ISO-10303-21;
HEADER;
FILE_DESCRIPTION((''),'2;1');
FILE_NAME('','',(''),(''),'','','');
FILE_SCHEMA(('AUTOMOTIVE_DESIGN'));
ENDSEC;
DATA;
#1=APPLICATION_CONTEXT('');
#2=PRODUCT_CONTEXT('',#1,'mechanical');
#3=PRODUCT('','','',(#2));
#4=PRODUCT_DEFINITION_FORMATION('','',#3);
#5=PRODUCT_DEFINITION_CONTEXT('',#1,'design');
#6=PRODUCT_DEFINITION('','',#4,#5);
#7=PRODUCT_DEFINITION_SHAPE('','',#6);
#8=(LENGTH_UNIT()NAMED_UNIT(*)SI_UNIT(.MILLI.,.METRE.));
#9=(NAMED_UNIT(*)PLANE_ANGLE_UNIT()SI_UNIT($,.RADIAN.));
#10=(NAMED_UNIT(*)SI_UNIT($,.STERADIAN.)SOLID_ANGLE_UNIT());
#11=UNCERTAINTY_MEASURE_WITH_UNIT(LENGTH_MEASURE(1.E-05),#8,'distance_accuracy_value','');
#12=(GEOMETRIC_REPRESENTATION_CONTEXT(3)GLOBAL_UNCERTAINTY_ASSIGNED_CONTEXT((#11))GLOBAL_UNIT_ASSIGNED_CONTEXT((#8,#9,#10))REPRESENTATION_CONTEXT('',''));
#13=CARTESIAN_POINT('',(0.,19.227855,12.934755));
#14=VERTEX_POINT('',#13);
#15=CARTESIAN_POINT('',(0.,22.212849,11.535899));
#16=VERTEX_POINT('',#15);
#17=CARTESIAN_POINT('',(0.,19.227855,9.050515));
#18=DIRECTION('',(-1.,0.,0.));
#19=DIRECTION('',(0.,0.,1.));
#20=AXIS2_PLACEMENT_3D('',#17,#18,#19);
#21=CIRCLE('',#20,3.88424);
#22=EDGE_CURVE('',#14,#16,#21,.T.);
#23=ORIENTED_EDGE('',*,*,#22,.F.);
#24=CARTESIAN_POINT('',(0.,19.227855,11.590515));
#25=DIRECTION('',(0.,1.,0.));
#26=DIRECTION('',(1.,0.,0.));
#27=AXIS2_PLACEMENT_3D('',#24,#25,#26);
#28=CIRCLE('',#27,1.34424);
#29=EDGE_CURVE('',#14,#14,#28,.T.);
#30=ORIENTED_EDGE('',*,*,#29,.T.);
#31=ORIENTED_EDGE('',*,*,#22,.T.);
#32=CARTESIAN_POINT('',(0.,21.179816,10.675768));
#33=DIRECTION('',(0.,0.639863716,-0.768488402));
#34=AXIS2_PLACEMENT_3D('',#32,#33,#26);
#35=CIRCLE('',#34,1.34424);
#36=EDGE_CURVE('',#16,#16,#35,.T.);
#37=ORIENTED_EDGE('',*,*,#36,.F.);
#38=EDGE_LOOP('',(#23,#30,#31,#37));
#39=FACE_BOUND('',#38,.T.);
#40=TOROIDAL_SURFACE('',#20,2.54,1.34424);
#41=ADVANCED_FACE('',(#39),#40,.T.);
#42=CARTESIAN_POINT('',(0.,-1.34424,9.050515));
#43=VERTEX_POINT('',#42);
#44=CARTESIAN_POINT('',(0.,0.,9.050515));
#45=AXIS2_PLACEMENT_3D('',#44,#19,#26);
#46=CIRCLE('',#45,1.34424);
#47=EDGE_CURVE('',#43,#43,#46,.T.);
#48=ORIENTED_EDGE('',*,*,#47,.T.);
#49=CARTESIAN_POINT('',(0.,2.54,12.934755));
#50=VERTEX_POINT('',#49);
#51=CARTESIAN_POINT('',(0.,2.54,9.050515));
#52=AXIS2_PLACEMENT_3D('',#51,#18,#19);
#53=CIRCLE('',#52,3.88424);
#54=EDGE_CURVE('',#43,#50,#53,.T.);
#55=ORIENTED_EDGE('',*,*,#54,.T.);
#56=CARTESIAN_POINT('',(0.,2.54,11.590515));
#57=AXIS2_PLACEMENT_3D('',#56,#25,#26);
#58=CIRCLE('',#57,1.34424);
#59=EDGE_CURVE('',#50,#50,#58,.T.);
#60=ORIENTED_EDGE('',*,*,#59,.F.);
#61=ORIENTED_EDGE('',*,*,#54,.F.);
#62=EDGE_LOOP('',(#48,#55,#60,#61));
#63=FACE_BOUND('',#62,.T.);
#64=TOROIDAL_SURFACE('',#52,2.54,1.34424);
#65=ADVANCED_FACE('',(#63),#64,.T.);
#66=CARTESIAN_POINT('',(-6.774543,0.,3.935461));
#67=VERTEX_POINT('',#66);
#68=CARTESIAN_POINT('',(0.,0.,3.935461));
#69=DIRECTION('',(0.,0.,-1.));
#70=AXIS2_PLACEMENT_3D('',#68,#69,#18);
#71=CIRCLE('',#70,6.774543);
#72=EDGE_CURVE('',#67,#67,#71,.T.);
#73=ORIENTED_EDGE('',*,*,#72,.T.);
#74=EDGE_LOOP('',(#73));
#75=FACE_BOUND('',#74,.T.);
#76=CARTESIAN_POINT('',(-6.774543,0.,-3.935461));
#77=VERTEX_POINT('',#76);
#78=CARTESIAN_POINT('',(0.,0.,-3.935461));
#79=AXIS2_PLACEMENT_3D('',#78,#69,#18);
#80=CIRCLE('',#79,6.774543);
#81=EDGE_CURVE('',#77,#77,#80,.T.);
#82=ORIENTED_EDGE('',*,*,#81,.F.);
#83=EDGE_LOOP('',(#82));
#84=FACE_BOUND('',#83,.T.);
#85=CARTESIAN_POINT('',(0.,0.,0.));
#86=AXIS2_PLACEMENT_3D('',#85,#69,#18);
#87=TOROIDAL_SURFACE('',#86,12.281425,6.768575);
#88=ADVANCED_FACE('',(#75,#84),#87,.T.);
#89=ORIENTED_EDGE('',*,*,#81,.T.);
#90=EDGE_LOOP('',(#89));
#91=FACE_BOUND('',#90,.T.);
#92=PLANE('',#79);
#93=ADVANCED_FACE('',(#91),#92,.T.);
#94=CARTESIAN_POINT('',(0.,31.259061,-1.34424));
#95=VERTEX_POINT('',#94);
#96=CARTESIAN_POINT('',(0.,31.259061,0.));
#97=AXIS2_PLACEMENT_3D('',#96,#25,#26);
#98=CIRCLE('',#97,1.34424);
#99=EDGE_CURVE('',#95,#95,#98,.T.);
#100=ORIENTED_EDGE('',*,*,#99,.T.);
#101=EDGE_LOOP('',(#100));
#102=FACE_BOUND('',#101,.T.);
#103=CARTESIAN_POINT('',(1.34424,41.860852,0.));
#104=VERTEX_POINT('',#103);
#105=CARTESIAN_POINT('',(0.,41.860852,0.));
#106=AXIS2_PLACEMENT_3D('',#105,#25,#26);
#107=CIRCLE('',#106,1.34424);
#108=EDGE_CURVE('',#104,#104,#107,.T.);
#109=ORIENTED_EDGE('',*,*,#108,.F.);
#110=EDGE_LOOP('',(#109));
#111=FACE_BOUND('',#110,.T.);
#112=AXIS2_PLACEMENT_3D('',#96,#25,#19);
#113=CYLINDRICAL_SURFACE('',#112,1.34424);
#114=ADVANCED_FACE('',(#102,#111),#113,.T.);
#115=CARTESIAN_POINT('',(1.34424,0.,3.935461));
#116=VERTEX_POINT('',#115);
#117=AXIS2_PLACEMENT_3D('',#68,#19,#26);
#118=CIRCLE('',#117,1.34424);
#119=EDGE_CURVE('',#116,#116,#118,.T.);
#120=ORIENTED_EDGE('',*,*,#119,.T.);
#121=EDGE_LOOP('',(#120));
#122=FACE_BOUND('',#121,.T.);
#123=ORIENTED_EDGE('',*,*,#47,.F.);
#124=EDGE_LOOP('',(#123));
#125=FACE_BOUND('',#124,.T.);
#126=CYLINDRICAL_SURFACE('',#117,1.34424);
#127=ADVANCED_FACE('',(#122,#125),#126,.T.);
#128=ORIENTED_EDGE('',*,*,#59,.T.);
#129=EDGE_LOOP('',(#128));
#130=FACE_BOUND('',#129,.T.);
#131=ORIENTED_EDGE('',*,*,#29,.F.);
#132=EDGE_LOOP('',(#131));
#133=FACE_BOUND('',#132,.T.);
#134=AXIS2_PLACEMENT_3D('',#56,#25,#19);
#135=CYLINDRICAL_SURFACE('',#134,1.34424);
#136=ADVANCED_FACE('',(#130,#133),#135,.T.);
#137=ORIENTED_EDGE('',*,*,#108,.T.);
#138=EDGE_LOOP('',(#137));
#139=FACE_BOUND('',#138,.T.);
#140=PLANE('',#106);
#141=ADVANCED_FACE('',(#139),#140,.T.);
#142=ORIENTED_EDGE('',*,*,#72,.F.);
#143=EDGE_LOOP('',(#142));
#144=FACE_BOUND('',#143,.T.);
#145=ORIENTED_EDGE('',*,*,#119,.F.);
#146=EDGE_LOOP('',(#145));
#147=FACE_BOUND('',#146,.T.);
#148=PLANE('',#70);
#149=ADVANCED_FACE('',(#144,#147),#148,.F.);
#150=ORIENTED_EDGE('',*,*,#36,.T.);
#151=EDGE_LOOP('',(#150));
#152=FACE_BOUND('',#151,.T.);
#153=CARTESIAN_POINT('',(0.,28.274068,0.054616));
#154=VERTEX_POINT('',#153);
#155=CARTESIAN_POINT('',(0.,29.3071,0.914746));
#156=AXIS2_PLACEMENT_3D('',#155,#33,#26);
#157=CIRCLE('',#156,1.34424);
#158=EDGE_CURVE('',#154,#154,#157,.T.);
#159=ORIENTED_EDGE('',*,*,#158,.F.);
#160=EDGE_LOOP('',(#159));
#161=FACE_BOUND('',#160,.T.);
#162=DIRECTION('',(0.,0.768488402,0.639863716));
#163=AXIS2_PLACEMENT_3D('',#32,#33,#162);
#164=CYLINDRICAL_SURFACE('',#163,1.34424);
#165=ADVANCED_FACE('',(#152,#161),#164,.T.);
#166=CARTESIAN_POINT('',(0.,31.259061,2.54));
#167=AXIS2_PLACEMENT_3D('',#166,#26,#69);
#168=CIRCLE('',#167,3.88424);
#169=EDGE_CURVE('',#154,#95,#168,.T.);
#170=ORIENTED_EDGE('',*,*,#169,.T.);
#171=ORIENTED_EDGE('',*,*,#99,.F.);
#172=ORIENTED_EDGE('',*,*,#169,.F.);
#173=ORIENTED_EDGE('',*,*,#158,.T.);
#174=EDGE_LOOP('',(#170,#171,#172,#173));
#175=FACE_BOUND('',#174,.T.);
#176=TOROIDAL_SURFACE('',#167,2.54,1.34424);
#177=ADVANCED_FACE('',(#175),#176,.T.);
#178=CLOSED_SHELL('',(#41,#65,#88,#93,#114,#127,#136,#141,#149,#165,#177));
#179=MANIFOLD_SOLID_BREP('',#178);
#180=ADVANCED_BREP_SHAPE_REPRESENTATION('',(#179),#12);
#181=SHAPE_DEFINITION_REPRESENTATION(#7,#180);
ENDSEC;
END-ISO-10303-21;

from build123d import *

# Parameters (mm, degrees)
SKETCH1_ONE_SIDE_W = 7.87092143
SKETCH1_ONE_SIDE_H = 6.774542772
SKETCH1_ONE_SIDE_R = 6.768574812
SKETCH3_R          = 1.344240024


with BuildPart() as part:
    # Sketch1 one side → Revolve1 (revolve)
    with BuildSketch(Plane(origin=(0, 0, 0), x_dir=(0, 0, -1), z_dir=(1, 0, 0)), mode=Mode.PRIVATE) as revolve1_sk:
        with Locations((0, -3.387271386)):
            Rectangle(SKETCH1_ONE_SIDE_W, SKETCH1_ONE_SIDE_H)
        with Locations((0, 12.281425188)):
            Circle(SKETCH1_ONE_SIDE_R)
    revolve(revolve1_sk.sketch.rotate(Axis((0, 0, 0), (0, 0, 1)), 270), axis=Axis((0, 0, 0), (0, 0, 1)))

    # Sweep1: sweep along a path in Sketch2
    with BuildLine(Plane(origin=(0, 0, 0), x_dir=(0, 0, -1), z_dir=(1, 0, 0))) as sweep1_path:
        Line((0, 0), (-9.050514624, 0))
        ThreePointArc((-9.050514624, 0), (-10.846565848, 0.743948776), (-11.590514624, 2.54))
        Line((-11.590514624, 2.54), (-11.590514624, 19.227855259))
        ThreePointArc((-11.590514624, 19.227855259), (-11.350486879, 20.305689952), (-10.675768463, 21.179815801))
        Line((-10.675768463, 21.179815801), (-0.914746161, 29.307100461))
        ThreePointArc((-0.914746161, 29.307100461), (-0.240027745, 30.181226311), (0, 31.259061004))
        Line((0, 31.259061004), (0, 41.860852469))
    # Sketch3 → Sweep1 (sweep)
    with BuildSketch(Plane.XY.offset(3.935460715)):
        Circle(SKETCH3_R)
    sweep(path=sweep1_path.line)


solid = part.part
